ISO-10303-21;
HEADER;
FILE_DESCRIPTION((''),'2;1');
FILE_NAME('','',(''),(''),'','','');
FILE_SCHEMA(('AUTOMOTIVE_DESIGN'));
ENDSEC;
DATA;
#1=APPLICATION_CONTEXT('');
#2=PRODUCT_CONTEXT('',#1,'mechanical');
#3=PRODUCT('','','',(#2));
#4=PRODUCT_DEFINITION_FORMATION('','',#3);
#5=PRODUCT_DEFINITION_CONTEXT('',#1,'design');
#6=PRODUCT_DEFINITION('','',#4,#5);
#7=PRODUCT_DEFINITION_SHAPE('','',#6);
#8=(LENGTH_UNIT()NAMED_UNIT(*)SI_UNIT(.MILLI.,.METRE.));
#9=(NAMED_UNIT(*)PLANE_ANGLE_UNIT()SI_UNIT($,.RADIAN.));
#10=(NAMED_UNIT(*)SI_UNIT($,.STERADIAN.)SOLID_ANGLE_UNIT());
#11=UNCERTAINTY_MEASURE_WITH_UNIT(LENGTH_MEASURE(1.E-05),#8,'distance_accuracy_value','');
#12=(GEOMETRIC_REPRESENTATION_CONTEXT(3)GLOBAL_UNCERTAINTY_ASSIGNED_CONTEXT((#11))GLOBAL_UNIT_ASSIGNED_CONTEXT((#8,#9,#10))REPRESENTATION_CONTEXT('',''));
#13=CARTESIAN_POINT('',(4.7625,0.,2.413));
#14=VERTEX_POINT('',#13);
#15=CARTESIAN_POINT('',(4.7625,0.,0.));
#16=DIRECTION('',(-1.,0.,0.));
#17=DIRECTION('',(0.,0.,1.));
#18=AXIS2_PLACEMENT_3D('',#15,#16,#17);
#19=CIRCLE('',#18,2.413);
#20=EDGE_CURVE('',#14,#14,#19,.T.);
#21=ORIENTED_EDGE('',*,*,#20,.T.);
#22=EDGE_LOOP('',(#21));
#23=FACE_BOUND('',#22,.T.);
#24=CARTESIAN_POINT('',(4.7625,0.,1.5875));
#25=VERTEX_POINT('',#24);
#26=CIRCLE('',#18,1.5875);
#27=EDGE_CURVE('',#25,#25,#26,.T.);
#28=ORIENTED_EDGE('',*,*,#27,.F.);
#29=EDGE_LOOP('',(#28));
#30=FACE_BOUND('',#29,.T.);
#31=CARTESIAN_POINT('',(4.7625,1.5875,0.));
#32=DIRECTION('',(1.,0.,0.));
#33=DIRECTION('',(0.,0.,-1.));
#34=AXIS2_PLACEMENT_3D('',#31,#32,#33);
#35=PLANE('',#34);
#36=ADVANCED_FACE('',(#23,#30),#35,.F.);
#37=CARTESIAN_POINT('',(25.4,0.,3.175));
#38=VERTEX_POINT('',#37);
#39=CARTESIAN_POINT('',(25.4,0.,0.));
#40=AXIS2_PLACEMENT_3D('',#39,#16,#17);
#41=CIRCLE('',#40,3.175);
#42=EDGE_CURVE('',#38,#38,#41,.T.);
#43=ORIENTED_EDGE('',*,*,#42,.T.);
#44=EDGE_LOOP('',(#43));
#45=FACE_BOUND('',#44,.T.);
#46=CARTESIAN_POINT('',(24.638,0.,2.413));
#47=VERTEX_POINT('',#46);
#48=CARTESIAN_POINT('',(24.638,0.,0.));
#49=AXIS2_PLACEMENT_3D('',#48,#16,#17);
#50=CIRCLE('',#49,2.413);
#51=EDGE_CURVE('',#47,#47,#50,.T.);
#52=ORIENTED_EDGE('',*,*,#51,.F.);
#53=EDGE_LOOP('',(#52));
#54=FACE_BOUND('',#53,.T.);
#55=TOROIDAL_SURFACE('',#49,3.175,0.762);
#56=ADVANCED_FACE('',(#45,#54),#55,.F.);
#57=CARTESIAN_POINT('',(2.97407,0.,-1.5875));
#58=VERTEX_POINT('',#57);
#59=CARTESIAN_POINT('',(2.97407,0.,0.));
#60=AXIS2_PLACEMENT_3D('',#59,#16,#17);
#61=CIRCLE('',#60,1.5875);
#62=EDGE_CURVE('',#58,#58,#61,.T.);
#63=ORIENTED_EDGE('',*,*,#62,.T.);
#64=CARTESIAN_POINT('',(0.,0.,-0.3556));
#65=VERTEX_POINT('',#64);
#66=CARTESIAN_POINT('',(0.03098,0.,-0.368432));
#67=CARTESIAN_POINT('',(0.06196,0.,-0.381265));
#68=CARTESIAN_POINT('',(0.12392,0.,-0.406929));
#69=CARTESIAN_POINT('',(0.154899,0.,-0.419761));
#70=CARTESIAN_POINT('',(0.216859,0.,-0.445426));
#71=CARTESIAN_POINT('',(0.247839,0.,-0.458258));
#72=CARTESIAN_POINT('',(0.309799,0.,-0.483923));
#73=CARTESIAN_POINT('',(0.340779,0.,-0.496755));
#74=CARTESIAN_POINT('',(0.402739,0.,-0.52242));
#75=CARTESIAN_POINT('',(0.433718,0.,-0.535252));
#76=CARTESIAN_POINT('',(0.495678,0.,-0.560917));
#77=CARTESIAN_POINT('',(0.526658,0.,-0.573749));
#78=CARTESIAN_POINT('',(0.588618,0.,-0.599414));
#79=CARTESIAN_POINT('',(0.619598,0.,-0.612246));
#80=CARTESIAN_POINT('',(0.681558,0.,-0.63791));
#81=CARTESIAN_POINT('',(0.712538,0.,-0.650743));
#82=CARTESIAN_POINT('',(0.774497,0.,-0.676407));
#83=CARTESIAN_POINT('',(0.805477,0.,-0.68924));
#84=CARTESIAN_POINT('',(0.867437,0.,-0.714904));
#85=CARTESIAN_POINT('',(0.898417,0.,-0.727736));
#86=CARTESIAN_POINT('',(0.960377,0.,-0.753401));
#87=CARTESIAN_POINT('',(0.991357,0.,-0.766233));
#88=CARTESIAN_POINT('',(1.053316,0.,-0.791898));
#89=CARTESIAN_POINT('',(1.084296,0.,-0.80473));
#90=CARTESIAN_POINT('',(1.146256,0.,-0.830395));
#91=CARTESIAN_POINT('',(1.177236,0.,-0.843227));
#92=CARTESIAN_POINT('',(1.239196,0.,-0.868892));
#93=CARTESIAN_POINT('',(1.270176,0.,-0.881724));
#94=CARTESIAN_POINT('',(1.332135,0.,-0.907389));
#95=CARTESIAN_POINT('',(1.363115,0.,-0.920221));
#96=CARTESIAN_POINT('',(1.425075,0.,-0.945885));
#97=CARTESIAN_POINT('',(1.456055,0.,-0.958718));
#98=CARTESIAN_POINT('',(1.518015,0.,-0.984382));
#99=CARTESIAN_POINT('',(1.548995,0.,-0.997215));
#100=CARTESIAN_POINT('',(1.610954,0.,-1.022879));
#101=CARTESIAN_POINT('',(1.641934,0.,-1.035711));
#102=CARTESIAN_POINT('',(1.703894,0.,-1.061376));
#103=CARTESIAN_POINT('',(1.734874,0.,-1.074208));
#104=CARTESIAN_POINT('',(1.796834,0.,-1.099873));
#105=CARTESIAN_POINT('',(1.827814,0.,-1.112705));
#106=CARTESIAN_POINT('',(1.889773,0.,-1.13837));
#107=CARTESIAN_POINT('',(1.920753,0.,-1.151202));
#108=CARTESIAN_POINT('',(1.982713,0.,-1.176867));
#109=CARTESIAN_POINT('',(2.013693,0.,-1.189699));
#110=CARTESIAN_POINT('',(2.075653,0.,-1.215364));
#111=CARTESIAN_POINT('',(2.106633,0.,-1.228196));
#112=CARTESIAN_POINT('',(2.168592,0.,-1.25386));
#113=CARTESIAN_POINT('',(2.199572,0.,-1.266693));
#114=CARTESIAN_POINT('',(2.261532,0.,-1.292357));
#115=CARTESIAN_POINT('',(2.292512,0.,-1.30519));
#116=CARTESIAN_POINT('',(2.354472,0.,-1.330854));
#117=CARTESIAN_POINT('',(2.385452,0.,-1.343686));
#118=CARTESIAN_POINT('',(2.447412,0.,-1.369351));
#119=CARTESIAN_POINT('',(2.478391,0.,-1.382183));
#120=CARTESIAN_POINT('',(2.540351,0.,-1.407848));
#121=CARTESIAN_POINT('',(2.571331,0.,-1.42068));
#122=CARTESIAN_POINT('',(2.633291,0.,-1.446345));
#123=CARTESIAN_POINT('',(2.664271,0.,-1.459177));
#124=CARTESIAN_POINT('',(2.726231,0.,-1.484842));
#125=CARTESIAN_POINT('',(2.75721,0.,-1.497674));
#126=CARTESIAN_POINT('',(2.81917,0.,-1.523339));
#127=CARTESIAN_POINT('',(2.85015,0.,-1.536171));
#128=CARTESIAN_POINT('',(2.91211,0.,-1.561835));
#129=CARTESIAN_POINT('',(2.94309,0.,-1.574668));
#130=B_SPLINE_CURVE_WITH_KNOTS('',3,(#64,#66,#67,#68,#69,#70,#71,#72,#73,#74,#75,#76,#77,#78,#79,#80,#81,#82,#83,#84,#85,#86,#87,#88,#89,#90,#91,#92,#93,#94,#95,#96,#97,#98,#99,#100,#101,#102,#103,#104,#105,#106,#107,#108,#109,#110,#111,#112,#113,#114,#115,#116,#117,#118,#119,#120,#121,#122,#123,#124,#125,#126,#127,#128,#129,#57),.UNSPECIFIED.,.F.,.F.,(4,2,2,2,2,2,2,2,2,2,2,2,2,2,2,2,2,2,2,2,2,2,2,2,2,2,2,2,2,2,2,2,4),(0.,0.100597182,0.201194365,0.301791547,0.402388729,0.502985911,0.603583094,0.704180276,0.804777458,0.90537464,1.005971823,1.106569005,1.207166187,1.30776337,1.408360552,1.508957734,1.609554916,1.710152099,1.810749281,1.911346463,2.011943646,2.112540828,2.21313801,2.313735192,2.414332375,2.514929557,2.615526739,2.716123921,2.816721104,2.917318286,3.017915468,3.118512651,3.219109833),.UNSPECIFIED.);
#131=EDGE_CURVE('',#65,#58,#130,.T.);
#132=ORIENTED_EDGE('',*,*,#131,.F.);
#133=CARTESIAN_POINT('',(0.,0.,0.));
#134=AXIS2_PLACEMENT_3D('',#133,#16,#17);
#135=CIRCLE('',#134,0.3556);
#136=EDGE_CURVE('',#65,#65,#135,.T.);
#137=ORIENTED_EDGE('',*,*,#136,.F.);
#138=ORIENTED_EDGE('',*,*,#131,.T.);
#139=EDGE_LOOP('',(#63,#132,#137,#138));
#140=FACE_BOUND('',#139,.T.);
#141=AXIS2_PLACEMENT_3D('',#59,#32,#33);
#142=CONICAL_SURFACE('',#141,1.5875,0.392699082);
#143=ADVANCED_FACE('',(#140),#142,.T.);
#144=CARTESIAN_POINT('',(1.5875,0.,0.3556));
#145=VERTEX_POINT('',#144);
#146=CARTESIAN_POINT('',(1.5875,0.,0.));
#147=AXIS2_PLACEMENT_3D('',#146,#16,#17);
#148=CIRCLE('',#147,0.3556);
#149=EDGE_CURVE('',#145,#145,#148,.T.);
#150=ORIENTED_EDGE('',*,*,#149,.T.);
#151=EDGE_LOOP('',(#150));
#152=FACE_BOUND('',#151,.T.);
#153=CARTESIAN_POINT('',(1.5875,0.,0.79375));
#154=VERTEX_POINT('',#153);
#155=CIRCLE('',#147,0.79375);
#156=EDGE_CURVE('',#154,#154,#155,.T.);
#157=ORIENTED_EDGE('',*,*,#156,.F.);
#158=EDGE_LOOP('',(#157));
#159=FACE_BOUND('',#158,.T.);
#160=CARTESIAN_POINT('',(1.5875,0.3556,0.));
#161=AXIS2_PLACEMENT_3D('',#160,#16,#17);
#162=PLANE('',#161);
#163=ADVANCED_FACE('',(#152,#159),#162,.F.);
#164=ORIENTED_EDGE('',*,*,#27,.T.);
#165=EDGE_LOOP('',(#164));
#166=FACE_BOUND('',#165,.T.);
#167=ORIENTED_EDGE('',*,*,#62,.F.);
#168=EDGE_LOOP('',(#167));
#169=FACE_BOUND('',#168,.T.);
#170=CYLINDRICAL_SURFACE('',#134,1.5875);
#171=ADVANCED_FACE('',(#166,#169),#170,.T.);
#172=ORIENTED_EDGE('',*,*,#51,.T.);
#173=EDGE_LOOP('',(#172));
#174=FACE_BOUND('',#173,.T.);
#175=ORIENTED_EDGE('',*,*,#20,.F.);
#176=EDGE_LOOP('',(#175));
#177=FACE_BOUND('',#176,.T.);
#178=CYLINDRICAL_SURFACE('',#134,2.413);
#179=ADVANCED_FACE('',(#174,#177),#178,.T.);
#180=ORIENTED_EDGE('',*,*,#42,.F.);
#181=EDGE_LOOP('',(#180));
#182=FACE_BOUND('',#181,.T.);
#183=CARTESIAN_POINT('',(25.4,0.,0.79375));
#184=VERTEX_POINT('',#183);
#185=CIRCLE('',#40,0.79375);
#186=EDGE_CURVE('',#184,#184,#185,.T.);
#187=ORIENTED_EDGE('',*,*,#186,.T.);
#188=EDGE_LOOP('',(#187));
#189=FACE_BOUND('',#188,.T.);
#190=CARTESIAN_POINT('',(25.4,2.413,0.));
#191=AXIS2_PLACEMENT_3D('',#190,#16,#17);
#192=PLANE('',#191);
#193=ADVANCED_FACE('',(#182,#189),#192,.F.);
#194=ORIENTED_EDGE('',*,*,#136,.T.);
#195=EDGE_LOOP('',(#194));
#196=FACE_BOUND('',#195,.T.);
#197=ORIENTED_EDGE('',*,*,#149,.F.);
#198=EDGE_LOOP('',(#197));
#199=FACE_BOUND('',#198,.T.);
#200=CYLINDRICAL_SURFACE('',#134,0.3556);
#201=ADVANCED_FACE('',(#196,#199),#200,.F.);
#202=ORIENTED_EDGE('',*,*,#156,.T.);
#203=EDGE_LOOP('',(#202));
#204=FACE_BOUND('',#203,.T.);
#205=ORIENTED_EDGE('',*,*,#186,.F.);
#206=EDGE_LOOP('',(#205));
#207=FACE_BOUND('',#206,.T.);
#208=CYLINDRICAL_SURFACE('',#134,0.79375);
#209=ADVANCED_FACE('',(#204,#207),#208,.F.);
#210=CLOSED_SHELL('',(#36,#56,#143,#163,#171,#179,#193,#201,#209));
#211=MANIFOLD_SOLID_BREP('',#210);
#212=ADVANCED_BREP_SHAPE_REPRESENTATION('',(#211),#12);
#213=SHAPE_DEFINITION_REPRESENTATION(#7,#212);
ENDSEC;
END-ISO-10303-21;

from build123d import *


with BuildPart() as part:
    # Sketch1 → Revolve1 (revolve)
    with BuildSketch(Plane.XY, mode=Mode.PRIVATE) as revolve1_sk:
        with BuildLine():
            Line((0, 0.3556), (1.5875, 0.3556))
            Line((1.5875, 0.3556), (1.5875, 0.79375))
            Line((1.5875, 0.79375), (25.4, 0.79375))
            Line((25.4, 0.79375), (25.4, 2.413))
            Line((25.4, 2.413), (25.4, 3.175))
            ThreePointArc((25.4, 3.175), (25.176815367, 2.636184633), (24.638, 2.413))
            Line((24.638, 2.413), (4.7625, 2.413))
            Line((4.7625, 2.413), (4.7625, 1.5875))
            Line((4.7625, 1.5875), (2.974069687, 1.5875))
            Line((2.974069687, 1.5875), (0, 0.3556))
        make_face()
    revolve(revolve1_sk.sketch.rotate(Axis((0, 0, 0), (1, 0, 0)), 90), axis=Axis((0, 0, 0), (1, 0, 0)))


solid = part.part
